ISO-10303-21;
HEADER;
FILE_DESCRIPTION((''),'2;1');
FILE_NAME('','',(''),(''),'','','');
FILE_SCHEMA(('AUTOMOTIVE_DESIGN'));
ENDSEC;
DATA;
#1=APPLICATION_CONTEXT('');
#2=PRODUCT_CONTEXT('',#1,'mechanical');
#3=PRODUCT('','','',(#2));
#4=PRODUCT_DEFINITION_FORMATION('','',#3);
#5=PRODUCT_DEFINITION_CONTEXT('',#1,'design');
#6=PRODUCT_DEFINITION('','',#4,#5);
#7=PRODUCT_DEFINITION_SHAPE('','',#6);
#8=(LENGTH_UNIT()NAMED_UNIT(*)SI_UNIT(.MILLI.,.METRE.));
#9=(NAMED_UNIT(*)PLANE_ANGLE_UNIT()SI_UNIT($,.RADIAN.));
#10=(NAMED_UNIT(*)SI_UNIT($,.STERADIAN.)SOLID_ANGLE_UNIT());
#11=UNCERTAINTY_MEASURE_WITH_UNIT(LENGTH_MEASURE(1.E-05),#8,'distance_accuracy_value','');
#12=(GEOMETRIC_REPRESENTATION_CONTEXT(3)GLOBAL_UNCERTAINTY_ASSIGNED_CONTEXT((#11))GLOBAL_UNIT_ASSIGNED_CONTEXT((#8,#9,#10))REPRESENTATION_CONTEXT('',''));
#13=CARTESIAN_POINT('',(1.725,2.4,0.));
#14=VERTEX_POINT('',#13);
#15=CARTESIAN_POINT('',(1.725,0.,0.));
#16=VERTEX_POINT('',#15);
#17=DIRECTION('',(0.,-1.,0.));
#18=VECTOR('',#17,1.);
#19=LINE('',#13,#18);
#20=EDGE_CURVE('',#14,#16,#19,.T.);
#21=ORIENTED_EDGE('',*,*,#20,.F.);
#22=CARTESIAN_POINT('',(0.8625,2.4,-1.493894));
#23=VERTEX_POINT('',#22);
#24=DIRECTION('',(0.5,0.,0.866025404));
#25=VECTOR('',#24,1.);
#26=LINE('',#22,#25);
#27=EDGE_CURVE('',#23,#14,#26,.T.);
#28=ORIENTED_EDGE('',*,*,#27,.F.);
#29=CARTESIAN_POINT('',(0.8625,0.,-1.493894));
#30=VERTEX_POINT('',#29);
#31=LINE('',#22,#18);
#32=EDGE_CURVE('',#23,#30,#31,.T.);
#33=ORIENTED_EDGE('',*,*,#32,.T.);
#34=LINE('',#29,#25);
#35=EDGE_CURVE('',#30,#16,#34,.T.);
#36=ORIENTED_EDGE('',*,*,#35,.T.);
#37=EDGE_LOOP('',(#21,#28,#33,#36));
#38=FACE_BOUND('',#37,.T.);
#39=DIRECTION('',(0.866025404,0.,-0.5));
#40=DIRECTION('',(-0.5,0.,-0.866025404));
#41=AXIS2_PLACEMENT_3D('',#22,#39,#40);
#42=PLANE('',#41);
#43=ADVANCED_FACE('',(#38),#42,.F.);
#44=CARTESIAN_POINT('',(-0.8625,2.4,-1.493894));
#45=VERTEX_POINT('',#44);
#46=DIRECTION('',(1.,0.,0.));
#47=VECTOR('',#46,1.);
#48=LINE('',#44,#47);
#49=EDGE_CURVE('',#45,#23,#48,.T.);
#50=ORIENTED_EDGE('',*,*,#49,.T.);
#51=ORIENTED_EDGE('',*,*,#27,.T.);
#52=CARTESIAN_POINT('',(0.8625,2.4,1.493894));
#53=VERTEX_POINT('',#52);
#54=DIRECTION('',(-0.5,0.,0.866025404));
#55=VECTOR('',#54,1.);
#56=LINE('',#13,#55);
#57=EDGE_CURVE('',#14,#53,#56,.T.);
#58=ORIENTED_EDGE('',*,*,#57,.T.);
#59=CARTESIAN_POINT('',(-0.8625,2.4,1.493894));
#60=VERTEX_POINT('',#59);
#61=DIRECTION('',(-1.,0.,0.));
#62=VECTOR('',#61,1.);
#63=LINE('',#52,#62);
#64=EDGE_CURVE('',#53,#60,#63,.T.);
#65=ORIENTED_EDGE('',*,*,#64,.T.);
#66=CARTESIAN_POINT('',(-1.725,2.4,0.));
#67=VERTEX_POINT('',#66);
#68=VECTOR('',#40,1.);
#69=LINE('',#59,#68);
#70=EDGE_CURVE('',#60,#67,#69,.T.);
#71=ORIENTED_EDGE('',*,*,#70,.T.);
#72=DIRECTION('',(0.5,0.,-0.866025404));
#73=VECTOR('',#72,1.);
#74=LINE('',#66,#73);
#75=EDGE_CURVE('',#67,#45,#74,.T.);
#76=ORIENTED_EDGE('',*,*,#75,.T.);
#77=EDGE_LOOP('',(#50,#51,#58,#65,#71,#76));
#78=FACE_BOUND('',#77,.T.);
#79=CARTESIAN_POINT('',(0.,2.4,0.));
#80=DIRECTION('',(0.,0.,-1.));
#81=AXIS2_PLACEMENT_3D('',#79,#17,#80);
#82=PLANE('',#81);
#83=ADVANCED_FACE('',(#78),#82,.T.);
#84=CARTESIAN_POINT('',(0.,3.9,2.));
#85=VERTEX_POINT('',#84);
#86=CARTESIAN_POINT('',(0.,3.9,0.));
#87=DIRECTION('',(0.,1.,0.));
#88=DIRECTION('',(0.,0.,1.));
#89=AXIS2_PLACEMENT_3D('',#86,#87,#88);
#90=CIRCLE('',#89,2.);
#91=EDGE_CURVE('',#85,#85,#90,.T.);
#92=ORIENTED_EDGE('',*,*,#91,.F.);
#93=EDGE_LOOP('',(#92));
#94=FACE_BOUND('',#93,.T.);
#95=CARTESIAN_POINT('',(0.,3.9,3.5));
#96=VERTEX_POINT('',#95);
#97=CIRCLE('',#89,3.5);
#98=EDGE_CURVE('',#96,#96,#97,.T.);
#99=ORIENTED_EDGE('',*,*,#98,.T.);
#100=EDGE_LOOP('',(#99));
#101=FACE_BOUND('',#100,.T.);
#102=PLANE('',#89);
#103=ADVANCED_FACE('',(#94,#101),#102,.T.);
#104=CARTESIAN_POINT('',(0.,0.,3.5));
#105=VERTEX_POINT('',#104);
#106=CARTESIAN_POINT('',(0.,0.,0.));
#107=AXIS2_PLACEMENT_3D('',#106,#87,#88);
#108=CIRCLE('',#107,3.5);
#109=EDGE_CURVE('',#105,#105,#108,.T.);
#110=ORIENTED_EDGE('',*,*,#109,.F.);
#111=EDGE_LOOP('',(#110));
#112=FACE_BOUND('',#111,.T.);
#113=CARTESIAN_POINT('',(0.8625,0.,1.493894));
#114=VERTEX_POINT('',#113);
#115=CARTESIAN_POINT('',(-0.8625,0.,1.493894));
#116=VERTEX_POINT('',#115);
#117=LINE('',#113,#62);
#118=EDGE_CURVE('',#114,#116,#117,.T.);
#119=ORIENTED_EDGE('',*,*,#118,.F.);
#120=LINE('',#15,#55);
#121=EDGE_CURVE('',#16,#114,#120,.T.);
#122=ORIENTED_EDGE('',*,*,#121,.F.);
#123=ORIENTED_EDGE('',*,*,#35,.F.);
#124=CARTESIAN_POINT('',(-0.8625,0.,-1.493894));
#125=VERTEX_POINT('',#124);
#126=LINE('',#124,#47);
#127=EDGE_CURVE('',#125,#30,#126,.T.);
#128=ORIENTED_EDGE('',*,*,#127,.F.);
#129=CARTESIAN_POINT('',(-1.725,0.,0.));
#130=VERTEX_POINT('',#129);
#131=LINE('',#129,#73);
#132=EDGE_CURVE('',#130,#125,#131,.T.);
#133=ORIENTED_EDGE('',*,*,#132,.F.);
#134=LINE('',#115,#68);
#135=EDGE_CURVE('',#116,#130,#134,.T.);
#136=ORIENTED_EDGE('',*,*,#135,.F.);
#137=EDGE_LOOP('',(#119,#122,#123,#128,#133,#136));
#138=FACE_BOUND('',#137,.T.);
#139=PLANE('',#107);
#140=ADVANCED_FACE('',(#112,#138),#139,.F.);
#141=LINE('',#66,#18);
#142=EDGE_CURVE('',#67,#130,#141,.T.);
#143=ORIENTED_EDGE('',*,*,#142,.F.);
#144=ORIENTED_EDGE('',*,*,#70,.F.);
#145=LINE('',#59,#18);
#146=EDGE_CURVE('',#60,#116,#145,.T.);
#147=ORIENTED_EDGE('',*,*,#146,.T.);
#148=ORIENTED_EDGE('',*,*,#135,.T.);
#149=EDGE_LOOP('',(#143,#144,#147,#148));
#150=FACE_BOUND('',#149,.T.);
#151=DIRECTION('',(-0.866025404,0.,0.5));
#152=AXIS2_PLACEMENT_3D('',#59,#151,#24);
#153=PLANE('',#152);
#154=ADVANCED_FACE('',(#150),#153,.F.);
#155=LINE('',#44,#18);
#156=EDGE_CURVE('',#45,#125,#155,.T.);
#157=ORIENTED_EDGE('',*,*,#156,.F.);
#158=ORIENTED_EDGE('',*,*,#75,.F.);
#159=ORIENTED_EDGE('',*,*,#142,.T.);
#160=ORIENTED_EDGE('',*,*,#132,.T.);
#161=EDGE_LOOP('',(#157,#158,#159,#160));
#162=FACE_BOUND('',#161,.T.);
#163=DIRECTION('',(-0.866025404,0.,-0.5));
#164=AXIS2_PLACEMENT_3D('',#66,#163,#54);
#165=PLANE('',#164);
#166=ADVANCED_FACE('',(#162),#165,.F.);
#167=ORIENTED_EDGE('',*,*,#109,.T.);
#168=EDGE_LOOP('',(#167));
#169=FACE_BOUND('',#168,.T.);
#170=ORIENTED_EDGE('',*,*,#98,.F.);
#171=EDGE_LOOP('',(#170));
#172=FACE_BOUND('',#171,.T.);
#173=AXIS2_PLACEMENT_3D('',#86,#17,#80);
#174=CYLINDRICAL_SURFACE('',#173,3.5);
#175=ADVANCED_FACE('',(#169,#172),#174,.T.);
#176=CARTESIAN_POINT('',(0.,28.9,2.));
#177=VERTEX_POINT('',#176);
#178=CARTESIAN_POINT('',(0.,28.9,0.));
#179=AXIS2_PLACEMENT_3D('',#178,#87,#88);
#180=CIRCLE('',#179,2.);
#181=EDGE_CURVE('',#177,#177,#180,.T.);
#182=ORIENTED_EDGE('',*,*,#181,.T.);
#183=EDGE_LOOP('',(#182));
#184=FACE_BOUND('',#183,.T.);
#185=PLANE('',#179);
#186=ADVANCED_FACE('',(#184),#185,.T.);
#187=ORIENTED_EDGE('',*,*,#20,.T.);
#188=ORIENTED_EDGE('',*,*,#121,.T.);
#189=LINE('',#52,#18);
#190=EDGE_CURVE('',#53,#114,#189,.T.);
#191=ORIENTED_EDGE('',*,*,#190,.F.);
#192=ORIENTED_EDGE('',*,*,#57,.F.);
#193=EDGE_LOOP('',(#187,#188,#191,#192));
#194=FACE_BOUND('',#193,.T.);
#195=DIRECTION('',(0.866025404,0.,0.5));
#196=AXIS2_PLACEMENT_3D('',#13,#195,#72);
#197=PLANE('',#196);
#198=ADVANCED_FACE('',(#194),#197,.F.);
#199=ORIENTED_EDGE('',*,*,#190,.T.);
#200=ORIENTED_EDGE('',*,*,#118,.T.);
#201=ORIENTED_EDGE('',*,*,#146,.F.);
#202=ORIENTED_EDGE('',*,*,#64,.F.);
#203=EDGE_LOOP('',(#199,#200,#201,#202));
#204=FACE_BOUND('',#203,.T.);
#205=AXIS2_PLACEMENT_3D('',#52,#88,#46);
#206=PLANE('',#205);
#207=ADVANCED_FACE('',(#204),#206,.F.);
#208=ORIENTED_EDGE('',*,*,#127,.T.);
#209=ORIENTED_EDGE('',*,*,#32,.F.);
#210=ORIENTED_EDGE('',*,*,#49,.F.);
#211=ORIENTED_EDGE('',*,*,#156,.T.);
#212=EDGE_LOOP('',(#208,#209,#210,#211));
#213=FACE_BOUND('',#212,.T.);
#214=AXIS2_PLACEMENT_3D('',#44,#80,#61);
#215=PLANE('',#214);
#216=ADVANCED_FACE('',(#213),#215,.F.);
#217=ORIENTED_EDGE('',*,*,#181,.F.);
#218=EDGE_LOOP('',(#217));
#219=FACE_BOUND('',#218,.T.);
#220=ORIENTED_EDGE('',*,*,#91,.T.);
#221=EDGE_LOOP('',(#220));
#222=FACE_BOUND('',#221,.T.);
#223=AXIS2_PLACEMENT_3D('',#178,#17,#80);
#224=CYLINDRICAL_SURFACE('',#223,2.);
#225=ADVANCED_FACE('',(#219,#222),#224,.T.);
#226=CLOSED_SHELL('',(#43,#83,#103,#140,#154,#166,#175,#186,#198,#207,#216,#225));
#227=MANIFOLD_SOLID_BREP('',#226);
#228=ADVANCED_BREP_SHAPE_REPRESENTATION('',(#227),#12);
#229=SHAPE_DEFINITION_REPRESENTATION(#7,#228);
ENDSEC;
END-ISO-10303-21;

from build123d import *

# Parameters (mm, degrees)
SKETCH_1_R          = 3.5
EXTRUDE_1_DEPTH     = 3.9
SKETCH_2_R          = 2
EXTRUDE_2_DEPTH     = 25
CUT_EXTRUDE_1_DEPTH = 2.4


with BuildPart() as part:
    # 草图1 → 凸台-拉伸1 (new body)
    with BuildSketch(Plane(origin=(0, 0, 0), x_dir=(1, 0, 0), z_dir=(0, 1, 0))):
        Circle(SKETCH_1_R)
    extrude(amount=EXTRUDE_1_DEPTH)

    # 草图2 → 凸台-拉伸2 (add)
    with BuildSketch(Plane(origin=(0, 3.9, 0), x_dir=(1, 0, 0), z_dir=(0, 1, 0))):
        Circle(SKETCH_2_R)
    extrude(amount=EXTRUDE_2_DEPTH)

    # 草图3 → 切除-拉伸1 (cut)
    with BuildSketch(Plane.XZ):
        Polygon((1.725, 0), (0.8625, 1.493893822), (-0.8625, 1.493893822), (-1.725, 0), (-0.8625, -1.493893822), (0.8625, -1.493893822), align=None)
    extrude(amount=-CUT_EXTRUDE_1_DEPTH, mode=Mode.SUBTRACT)


solid = part.part
